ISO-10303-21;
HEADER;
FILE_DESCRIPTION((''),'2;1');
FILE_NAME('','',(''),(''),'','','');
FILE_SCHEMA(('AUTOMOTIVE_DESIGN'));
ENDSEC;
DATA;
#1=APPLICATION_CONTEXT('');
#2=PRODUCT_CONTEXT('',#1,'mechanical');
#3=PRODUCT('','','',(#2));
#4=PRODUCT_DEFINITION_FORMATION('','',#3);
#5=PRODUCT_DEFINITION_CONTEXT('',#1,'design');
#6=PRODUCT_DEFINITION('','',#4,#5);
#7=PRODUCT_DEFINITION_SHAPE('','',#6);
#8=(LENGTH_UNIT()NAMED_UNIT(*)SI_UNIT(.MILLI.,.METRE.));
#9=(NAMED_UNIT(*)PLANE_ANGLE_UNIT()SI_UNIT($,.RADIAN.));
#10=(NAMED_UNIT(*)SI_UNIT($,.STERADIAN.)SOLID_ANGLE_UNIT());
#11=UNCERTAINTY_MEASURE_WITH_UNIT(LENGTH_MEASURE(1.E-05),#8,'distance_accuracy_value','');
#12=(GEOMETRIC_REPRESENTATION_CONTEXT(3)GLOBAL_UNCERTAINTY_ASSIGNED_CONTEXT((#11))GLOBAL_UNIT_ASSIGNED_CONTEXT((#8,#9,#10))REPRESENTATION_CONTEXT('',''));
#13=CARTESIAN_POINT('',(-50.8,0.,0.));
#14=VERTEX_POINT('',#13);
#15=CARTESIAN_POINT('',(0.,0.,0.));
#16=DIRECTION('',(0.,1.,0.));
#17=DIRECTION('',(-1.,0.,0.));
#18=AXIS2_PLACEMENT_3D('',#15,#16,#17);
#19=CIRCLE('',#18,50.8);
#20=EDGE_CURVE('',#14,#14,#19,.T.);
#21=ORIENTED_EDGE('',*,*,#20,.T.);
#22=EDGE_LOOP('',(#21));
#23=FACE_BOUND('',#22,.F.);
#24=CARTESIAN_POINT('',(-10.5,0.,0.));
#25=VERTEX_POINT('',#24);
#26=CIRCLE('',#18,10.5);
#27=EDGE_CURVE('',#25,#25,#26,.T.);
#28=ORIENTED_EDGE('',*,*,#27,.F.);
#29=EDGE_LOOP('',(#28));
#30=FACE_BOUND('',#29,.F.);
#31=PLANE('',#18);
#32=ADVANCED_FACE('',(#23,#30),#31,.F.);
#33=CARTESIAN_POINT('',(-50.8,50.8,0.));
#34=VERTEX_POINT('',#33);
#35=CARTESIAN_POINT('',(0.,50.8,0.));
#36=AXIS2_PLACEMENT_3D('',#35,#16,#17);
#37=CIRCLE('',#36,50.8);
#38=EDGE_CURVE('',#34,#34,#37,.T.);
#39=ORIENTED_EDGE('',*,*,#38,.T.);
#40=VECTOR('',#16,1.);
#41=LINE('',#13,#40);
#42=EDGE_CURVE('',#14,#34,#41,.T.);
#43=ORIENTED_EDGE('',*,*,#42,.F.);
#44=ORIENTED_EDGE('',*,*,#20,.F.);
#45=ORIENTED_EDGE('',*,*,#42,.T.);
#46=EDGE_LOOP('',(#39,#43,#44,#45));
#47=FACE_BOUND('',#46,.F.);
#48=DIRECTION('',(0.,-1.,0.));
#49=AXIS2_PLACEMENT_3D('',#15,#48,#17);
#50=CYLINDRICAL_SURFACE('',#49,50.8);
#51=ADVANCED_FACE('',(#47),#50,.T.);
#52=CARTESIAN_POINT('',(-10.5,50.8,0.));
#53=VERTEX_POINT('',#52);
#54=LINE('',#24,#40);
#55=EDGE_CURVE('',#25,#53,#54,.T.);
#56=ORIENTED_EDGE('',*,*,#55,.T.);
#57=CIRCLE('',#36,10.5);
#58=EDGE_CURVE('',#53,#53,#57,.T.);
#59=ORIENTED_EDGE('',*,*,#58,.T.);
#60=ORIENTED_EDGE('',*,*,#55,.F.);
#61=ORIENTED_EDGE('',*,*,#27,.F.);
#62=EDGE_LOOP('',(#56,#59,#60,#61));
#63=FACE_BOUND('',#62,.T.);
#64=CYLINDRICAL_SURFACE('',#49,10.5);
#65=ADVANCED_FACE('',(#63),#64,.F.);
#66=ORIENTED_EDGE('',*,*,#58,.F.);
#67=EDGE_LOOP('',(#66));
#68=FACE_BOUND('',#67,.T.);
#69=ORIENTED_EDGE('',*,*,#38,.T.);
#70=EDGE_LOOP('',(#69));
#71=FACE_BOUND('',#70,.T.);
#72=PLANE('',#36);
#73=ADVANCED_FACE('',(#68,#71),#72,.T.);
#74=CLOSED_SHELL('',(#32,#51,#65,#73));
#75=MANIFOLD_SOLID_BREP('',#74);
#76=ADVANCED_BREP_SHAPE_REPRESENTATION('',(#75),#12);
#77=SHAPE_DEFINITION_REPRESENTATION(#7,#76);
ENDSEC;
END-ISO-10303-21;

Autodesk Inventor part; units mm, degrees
ref_plane "YZ Plane" through (0, 0, 0) normal (1, 0, 0) x (0, 1, 0)
ref_plane "XZ Plane" through (0, 0, 0) normal (0, 1, 0) x (-1, 0, 0)
ref_plane "XY Plane" through (0, 0, 0) normal (0, 0, 1) x (1, 0, 0)
sketch "Sketch1" plane through (0, 0, 0) normal (0, 1, 0) x (-1, 0, 0)
  circle A0 centre (0, 0) radius 10.5
  circle A1 centre (0, 0) radius 50.8
  dimension "d0" = 21
  dimension "d1" = 101.6
extrude "Extrusion1" add sketch "Sketch1" along normal blind 50.8
properties part number "Spacer_2_in"
